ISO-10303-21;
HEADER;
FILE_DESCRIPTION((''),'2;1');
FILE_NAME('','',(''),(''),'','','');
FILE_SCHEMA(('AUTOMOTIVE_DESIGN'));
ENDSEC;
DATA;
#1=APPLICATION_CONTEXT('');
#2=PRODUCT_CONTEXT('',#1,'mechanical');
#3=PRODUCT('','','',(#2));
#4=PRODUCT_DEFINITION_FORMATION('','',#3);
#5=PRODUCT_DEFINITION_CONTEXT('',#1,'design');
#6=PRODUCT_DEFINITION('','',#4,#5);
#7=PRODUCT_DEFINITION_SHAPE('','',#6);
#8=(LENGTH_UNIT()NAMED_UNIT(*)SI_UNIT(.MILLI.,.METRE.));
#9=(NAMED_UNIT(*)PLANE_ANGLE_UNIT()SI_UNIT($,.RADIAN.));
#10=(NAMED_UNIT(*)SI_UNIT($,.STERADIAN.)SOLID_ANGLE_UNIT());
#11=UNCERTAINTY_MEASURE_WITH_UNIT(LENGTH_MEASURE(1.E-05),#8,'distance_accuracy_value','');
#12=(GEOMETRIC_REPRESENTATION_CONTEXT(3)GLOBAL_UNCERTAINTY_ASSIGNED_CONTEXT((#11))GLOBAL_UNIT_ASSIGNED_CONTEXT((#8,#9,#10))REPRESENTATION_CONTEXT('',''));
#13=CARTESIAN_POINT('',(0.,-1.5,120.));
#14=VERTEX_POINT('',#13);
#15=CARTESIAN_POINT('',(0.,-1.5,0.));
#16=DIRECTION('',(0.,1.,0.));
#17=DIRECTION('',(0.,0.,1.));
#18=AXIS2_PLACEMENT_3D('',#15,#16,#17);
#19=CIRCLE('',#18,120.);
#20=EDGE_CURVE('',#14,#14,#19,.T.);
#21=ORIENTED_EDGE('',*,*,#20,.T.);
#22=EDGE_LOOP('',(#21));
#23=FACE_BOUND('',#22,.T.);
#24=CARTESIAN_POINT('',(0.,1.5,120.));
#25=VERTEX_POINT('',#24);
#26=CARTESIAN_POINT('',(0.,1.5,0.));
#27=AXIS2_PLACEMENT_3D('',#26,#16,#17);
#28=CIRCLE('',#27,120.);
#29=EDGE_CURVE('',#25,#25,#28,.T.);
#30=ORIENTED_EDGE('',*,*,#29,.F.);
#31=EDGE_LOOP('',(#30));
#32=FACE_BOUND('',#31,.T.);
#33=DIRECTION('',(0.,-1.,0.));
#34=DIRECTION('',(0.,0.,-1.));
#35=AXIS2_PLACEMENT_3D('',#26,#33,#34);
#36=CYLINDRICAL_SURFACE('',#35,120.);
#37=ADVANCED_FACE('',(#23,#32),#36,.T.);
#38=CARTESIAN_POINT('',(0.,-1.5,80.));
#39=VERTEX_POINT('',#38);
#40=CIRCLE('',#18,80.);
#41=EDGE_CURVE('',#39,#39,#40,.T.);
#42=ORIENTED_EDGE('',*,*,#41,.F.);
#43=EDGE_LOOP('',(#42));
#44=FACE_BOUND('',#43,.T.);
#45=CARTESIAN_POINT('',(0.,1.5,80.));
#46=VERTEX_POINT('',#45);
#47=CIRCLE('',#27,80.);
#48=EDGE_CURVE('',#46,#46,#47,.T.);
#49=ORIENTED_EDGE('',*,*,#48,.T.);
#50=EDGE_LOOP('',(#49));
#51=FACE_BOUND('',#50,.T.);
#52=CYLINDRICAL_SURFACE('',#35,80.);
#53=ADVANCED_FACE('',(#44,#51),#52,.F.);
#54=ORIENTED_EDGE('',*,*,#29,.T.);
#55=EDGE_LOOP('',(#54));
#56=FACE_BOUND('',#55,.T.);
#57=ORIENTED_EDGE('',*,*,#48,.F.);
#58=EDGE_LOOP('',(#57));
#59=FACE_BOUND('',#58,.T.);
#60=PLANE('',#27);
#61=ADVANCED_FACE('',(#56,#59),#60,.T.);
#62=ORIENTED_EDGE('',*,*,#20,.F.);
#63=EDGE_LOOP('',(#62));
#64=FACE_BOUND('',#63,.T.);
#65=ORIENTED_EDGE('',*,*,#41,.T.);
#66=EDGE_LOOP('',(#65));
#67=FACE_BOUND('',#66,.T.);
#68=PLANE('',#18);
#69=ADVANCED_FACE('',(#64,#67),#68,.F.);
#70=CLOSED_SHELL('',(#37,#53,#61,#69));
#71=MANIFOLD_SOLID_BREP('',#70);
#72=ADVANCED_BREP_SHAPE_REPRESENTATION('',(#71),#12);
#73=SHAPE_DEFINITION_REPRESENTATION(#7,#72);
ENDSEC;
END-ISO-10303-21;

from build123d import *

# Parameters (mm, degrees)
SKETCH1_R           = 120
SKETCH1_R_2         = 80
BOSS_EXTRUDE1_DEPTH = 1.5


with BuildPart() as part:
    # Sketch1 → Boss-Extrude1 (new, symmetric)
    with BuildSketch(Plane(origin=(0, 0, 0), x_dir=(1, 0, 0), z_dir=(0, 1, 0))):
        with Locations(Location((0, 0, 0), (0, 0, 270))):
            Circle(SKETCH1_R)
        with Locations(Location((0, 0, 0), (0, 0, 270))):
            Circle(SKETCH1_R_2, mode=Mode.SUBTRACT)
    extrude(amount=BOSS_EXTRUDE1_DEPTH, both=True)


solid = part.part
